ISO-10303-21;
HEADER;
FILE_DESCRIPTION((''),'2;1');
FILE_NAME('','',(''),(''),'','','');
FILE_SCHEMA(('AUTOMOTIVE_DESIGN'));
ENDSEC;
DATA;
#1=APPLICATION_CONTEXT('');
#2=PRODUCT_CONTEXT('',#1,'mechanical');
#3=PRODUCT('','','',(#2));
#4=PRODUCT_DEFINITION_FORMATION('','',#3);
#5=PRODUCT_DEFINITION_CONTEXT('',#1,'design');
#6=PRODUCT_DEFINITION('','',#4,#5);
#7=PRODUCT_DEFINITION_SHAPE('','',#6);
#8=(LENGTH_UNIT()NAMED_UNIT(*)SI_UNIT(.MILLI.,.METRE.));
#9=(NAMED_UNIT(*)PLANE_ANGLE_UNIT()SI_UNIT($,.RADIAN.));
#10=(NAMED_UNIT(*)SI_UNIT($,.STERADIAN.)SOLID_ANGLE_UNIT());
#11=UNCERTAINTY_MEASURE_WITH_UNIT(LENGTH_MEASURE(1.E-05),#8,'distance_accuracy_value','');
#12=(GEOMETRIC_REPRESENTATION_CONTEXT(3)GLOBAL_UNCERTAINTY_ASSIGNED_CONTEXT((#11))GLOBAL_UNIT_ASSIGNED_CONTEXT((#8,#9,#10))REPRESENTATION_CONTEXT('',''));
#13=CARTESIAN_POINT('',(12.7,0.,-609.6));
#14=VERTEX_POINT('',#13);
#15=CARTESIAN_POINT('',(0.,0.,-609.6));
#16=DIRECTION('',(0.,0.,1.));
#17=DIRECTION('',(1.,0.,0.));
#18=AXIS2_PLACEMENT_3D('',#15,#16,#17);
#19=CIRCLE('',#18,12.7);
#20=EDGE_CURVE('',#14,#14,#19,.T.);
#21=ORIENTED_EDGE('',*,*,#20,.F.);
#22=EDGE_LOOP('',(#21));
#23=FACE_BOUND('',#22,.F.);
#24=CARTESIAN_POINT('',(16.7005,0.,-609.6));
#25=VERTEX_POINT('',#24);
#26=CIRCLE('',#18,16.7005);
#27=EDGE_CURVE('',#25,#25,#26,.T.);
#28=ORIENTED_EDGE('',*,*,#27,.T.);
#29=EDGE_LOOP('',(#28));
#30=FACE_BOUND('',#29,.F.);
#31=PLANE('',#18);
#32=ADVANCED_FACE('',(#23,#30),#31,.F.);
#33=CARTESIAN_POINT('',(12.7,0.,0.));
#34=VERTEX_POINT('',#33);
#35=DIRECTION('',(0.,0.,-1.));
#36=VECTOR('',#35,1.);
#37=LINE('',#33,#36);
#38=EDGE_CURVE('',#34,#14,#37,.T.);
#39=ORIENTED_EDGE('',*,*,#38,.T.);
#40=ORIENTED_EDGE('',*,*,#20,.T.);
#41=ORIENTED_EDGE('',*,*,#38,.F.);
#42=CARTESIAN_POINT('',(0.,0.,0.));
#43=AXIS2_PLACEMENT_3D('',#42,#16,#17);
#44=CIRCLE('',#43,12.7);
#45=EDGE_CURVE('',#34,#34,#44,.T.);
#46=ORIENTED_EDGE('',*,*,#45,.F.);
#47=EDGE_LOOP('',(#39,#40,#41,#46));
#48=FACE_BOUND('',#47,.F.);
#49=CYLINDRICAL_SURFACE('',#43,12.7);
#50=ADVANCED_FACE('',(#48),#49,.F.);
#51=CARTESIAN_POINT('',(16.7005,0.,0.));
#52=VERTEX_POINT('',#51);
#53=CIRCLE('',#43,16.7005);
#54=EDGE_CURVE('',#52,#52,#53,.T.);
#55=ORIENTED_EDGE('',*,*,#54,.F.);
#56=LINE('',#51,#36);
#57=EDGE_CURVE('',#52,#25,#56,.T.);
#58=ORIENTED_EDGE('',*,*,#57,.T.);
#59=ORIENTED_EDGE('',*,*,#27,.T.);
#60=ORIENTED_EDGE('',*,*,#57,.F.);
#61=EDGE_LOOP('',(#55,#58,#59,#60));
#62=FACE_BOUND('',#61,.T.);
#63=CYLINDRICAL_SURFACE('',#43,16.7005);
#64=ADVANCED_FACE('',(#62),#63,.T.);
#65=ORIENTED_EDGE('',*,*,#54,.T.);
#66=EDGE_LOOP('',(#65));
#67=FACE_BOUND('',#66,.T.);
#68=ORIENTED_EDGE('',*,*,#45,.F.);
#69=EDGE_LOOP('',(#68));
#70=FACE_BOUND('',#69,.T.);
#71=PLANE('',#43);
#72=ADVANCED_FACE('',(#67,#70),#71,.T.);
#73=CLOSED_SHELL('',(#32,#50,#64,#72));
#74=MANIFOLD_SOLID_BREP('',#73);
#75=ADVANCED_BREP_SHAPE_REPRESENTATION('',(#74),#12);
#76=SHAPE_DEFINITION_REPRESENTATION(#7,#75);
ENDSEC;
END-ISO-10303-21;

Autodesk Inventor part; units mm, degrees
ref_plane "YZ Plane" through (0, 0, 0) normal (1, 0, 0) x (0, 1, 0)
ref_plane "XZ Plane" through (0, 0, 0) normal (0, 1, 0) x (-1, 0, 0)
ref_plane "XY Plane" through (0, 0, 0) normal (0, 0, 1) x (1, 0, 0)
sketch "Sketch1" plane through (0, 0, 0) normal (0, 0, 1) x (1, 0, 0)
  circle A0 centre (0, 0) radius 16.7005
  circle A1 centre (0, 0) radius 12.7
  dimension "d0" = 33.401
  dimension "d1" = 25.4
extrude "Extrusion1" add sketch "Sketch1" against normal blind 609.6
properties part number "Pipe 1"
